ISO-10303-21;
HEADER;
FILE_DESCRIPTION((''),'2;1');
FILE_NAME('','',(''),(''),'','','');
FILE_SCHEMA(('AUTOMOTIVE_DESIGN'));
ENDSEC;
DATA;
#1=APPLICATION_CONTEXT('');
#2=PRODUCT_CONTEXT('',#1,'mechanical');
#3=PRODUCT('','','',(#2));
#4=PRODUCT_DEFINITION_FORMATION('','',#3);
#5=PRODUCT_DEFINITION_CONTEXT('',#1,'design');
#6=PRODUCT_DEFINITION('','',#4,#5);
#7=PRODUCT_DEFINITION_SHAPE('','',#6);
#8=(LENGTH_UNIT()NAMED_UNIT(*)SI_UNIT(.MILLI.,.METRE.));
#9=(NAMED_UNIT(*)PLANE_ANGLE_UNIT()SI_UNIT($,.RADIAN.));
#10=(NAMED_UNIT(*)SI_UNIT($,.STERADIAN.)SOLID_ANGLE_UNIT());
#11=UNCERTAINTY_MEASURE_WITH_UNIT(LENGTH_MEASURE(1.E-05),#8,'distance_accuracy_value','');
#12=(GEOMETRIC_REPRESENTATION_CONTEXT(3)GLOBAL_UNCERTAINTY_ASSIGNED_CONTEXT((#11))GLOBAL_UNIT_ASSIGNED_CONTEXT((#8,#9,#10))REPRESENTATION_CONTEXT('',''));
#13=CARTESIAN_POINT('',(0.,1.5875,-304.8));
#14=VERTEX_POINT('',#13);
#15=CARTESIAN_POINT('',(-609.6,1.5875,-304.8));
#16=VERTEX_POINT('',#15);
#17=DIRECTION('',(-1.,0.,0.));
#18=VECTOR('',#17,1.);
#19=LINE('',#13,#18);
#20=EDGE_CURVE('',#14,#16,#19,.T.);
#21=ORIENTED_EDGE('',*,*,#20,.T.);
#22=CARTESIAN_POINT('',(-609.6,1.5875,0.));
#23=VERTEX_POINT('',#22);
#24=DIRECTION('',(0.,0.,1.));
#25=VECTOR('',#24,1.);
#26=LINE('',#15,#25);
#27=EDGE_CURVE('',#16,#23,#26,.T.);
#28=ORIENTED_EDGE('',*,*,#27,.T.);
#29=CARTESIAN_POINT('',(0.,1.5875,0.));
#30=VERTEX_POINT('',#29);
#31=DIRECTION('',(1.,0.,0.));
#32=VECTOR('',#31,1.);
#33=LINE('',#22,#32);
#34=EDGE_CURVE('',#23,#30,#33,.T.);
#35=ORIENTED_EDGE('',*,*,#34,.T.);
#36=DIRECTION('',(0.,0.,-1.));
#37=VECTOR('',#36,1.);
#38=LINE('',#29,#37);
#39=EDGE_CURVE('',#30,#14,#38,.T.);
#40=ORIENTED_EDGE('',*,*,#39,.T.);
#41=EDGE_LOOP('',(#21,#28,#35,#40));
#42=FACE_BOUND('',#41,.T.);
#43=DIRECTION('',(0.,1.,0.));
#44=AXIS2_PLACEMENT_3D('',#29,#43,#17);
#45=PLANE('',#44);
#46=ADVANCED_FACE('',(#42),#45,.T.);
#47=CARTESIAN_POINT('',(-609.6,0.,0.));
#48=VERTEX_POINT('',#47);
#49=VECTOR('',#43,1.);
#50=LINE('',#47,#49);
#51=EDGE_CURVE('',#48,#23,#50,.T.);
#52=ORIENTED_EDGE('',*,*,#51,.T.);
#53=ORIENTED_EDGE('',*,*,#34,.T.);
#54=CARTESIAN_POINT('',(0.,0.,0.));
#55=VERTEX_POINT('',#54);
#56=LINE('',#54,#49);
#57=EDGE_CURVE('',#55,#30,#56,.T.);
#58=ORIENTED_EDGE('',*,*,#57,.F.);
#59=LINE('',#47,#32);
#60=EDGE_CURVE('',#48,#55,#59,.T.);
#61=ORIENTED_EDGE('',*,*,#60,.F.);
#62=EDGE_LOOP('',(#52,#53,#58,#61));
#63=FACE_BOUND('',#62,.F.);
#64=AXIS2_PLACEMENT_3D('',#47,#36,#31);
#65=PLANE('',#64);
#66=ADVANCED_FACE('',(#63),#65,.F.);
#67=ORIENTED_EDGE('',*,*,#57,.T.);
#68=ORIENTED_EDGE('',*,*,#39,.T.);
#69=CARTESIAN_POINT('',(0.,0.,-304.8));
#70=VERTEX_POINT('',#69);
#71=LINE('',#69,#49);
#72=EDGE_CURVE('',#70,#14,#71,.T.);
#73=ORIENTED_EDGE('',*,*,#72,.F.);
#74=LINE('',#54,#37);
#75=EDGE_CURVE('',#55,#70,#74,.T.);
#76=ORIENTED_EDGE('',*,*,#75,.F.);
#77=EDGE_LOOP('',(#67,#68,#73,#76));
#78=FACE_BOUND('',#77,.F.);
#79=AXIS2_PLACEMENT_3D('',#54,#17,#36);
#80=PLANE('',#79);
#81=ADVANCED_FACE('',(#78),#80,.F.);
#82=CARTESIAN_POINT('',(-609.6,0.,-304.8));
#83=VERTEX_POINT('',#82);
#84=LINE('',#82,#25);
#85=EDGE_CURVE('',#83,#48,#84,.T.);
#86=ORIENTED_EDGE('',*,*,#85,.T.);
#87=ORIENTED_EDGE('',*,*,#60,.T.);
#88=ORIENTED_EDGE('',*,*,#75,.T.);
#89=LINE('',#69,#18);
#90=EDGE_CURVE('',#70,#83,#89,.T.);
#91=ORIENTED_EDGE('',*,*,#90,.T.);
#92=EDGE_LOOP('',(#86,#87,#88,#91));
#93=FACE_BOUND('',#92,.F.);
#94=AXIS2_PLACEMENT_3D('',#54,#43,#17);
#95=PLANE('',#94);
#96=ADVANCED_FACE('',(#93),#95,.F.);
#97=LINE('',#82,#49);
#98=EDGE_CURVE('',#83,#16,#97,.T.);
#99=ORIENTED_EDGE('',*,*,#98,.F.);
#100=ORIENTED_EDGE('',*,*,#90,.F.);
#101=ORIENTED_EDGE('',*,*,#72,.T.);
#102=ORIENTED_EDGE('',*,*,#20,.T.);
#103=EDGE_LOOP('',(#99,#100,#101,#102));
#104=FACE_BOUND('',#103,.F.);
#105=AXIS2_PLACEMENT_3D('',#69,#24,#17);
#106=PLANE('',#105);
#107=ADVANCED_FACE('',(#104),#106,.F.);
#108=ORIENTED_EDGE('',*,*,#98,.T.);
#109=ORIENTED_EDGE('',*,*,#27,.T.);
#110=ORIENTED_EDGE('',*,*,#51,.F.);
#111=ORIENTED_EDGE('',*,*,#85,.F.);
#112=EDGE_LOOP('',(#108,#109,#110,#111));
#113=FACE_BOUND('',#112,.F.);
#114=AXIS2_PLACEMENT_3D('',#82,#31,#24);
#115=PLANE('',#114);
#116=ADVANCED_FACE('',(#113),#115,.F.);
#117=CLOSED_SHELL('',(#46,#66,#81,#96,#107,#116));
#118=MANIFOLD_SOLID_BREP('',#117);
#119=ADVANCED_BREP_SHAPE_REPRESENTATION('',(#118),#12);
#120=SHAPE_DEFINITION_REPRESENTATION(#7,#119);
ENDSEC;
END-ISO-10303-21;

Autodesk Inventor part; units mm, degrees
ref_plane "YZ Plane" through (0, 0, 0) normal (1, 0, 0) x (0, 1, 0)
ref_plane "XZ Plane" through (0, 0, 0) normal (0, 1, 0) x (-1, 0, 0)
ref_plane "XY Plane" through (0, 0, 0) normal (0, 0, 1) x (1, 0, 0)
sketch "Sketch2" plane through (0, 0, 0) normal (0, 1, 0) x (-1, 0, 0)
  line L0 (0, 0) -> (0, -304.8)
  line L1 (0, -304.8) -> (609.6, -304.8)
  line L2 (609.6, -304.8) -> (609.6, 0)
  line L3 (609.6, 0) -> (0, 0)
  point P0 (0, 0)
  dimension "d0" = 609.6
  dimension "d1" = 304.8
extrude "Extrusion1" add sketch "Sketch2" along normal blind 1.5875
properties part number "BottomLexan" material "Polycarbonate, Smoke"
